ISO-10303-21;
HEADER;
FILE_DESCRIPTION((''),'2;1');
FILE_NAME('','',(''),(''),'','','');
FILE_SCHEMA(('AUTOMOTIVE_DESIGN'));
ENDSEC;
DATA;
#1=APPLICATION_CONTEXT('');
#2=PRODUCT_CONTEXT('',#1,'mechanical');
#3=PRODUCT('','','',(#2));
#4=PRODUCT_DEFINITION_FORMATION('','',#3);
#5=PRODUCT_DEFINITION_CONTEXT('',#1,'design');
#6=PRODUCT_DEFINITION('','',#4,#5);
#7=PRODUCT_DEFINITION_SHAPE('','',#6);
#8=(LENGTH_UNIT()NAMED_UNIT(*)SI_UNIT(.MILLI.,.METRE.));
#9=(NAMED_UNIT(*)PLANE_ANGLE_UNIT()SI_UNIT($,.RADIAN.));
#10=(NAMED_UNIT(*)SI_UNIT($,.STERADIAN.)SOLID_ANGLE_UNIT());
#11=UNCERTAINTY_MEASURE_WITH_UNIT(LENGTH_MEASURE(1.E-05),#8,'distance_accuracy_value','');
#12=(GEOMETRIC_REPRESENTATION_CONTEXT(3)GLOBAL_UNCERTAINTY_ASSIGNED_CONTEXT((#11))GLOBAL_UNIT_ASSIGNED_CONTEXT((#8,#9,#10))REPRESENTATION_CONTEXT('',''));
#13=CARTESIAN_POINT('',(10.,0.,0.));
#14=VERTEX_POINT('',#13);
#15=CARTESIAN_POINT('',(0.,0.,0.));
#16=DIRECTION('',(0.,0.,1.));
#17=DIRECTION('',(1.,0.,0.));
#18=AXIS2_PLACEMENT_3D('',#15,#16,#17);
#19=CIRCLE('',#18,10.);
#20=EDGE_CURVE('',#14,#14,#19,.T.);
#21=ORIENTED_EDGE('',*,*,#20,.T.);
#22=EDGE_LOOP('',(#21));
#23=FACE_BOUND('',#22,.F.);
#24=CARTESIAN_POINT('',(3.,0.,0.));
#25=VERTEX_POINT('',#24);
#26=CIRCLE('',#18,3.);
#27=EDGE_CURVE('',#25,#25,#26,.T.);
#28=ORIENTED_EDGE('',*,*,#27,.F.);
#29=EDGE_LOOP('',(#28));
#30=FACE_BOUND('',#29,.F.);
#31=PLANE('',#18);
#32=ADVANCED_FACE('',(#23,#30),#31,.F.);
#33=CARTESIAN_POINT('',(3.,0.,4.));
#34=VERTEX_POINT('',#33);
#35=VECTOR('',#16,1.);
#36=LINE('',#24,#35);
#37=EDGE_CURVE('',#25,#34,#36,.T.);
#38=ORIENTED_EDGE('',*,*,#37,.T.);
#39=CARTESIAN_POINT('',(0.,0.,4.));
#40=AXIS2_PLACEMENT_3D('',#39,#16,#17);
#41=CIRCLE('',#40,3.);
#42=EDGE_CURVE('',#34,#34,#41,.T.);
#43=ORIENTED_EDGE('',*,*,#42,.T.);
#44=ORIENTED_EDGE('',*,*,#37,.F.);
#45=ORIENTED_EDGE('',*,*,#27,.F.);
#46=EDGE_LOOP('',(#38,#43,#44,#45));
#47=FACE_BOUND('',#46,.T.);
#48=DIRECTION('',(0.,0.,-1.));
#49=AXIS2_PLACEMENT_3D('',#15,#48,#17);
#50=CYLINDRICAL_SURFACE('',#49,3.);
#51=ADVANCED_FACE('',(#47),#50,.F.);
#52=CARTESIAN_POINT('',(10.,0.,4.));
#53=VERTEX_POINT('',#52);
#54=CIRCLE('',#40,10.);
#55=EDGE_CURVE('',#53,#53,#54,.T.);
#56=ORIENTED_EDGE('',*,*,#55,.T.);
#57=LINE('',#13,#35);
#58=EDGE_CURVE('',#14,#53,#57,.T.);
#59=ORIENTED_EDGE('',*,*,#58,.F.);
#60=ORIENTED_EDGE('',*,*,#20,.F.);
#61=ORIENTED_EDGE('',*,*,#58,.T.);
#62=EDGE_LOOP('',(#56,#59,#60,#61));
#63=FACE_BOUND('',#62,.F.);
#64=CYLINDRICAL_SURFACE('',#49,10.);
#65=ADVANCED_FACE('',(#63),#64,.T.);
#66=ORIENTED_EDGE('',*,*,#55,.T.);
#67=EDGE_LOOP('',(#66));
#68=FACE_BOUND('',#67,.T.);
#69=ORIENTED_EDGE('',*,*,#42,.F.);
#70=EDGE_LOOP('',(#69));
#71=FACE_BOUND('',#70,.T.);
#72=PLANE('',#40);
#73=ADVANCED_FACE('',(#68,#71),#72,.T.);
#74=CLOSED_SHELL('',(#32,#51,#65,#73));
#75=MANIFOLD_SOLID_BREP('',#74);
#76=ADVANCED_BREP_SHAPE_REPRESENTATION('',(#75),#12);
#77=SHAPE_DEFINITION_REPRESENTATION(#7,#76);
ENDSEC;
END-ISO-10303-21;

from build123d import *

# Parameters (mm, degrees)
SKETCH_1_R      = 10
SKETCH_1_R_2    = 3
EXTRUDE_1_DEPTH = 4


with BuildPart() as part:
    # 草图1 → 凸台-拉伸1 (new body)
    with BuildSketch(Plane.XY):
        Circle(SKETCH_1_R)
        Circle(SKETCH_1_R_2, mode=Mode.SUBTRACT)
    extrude(amount=EXTRUDE_1_DEPTH)


solid = part.part
